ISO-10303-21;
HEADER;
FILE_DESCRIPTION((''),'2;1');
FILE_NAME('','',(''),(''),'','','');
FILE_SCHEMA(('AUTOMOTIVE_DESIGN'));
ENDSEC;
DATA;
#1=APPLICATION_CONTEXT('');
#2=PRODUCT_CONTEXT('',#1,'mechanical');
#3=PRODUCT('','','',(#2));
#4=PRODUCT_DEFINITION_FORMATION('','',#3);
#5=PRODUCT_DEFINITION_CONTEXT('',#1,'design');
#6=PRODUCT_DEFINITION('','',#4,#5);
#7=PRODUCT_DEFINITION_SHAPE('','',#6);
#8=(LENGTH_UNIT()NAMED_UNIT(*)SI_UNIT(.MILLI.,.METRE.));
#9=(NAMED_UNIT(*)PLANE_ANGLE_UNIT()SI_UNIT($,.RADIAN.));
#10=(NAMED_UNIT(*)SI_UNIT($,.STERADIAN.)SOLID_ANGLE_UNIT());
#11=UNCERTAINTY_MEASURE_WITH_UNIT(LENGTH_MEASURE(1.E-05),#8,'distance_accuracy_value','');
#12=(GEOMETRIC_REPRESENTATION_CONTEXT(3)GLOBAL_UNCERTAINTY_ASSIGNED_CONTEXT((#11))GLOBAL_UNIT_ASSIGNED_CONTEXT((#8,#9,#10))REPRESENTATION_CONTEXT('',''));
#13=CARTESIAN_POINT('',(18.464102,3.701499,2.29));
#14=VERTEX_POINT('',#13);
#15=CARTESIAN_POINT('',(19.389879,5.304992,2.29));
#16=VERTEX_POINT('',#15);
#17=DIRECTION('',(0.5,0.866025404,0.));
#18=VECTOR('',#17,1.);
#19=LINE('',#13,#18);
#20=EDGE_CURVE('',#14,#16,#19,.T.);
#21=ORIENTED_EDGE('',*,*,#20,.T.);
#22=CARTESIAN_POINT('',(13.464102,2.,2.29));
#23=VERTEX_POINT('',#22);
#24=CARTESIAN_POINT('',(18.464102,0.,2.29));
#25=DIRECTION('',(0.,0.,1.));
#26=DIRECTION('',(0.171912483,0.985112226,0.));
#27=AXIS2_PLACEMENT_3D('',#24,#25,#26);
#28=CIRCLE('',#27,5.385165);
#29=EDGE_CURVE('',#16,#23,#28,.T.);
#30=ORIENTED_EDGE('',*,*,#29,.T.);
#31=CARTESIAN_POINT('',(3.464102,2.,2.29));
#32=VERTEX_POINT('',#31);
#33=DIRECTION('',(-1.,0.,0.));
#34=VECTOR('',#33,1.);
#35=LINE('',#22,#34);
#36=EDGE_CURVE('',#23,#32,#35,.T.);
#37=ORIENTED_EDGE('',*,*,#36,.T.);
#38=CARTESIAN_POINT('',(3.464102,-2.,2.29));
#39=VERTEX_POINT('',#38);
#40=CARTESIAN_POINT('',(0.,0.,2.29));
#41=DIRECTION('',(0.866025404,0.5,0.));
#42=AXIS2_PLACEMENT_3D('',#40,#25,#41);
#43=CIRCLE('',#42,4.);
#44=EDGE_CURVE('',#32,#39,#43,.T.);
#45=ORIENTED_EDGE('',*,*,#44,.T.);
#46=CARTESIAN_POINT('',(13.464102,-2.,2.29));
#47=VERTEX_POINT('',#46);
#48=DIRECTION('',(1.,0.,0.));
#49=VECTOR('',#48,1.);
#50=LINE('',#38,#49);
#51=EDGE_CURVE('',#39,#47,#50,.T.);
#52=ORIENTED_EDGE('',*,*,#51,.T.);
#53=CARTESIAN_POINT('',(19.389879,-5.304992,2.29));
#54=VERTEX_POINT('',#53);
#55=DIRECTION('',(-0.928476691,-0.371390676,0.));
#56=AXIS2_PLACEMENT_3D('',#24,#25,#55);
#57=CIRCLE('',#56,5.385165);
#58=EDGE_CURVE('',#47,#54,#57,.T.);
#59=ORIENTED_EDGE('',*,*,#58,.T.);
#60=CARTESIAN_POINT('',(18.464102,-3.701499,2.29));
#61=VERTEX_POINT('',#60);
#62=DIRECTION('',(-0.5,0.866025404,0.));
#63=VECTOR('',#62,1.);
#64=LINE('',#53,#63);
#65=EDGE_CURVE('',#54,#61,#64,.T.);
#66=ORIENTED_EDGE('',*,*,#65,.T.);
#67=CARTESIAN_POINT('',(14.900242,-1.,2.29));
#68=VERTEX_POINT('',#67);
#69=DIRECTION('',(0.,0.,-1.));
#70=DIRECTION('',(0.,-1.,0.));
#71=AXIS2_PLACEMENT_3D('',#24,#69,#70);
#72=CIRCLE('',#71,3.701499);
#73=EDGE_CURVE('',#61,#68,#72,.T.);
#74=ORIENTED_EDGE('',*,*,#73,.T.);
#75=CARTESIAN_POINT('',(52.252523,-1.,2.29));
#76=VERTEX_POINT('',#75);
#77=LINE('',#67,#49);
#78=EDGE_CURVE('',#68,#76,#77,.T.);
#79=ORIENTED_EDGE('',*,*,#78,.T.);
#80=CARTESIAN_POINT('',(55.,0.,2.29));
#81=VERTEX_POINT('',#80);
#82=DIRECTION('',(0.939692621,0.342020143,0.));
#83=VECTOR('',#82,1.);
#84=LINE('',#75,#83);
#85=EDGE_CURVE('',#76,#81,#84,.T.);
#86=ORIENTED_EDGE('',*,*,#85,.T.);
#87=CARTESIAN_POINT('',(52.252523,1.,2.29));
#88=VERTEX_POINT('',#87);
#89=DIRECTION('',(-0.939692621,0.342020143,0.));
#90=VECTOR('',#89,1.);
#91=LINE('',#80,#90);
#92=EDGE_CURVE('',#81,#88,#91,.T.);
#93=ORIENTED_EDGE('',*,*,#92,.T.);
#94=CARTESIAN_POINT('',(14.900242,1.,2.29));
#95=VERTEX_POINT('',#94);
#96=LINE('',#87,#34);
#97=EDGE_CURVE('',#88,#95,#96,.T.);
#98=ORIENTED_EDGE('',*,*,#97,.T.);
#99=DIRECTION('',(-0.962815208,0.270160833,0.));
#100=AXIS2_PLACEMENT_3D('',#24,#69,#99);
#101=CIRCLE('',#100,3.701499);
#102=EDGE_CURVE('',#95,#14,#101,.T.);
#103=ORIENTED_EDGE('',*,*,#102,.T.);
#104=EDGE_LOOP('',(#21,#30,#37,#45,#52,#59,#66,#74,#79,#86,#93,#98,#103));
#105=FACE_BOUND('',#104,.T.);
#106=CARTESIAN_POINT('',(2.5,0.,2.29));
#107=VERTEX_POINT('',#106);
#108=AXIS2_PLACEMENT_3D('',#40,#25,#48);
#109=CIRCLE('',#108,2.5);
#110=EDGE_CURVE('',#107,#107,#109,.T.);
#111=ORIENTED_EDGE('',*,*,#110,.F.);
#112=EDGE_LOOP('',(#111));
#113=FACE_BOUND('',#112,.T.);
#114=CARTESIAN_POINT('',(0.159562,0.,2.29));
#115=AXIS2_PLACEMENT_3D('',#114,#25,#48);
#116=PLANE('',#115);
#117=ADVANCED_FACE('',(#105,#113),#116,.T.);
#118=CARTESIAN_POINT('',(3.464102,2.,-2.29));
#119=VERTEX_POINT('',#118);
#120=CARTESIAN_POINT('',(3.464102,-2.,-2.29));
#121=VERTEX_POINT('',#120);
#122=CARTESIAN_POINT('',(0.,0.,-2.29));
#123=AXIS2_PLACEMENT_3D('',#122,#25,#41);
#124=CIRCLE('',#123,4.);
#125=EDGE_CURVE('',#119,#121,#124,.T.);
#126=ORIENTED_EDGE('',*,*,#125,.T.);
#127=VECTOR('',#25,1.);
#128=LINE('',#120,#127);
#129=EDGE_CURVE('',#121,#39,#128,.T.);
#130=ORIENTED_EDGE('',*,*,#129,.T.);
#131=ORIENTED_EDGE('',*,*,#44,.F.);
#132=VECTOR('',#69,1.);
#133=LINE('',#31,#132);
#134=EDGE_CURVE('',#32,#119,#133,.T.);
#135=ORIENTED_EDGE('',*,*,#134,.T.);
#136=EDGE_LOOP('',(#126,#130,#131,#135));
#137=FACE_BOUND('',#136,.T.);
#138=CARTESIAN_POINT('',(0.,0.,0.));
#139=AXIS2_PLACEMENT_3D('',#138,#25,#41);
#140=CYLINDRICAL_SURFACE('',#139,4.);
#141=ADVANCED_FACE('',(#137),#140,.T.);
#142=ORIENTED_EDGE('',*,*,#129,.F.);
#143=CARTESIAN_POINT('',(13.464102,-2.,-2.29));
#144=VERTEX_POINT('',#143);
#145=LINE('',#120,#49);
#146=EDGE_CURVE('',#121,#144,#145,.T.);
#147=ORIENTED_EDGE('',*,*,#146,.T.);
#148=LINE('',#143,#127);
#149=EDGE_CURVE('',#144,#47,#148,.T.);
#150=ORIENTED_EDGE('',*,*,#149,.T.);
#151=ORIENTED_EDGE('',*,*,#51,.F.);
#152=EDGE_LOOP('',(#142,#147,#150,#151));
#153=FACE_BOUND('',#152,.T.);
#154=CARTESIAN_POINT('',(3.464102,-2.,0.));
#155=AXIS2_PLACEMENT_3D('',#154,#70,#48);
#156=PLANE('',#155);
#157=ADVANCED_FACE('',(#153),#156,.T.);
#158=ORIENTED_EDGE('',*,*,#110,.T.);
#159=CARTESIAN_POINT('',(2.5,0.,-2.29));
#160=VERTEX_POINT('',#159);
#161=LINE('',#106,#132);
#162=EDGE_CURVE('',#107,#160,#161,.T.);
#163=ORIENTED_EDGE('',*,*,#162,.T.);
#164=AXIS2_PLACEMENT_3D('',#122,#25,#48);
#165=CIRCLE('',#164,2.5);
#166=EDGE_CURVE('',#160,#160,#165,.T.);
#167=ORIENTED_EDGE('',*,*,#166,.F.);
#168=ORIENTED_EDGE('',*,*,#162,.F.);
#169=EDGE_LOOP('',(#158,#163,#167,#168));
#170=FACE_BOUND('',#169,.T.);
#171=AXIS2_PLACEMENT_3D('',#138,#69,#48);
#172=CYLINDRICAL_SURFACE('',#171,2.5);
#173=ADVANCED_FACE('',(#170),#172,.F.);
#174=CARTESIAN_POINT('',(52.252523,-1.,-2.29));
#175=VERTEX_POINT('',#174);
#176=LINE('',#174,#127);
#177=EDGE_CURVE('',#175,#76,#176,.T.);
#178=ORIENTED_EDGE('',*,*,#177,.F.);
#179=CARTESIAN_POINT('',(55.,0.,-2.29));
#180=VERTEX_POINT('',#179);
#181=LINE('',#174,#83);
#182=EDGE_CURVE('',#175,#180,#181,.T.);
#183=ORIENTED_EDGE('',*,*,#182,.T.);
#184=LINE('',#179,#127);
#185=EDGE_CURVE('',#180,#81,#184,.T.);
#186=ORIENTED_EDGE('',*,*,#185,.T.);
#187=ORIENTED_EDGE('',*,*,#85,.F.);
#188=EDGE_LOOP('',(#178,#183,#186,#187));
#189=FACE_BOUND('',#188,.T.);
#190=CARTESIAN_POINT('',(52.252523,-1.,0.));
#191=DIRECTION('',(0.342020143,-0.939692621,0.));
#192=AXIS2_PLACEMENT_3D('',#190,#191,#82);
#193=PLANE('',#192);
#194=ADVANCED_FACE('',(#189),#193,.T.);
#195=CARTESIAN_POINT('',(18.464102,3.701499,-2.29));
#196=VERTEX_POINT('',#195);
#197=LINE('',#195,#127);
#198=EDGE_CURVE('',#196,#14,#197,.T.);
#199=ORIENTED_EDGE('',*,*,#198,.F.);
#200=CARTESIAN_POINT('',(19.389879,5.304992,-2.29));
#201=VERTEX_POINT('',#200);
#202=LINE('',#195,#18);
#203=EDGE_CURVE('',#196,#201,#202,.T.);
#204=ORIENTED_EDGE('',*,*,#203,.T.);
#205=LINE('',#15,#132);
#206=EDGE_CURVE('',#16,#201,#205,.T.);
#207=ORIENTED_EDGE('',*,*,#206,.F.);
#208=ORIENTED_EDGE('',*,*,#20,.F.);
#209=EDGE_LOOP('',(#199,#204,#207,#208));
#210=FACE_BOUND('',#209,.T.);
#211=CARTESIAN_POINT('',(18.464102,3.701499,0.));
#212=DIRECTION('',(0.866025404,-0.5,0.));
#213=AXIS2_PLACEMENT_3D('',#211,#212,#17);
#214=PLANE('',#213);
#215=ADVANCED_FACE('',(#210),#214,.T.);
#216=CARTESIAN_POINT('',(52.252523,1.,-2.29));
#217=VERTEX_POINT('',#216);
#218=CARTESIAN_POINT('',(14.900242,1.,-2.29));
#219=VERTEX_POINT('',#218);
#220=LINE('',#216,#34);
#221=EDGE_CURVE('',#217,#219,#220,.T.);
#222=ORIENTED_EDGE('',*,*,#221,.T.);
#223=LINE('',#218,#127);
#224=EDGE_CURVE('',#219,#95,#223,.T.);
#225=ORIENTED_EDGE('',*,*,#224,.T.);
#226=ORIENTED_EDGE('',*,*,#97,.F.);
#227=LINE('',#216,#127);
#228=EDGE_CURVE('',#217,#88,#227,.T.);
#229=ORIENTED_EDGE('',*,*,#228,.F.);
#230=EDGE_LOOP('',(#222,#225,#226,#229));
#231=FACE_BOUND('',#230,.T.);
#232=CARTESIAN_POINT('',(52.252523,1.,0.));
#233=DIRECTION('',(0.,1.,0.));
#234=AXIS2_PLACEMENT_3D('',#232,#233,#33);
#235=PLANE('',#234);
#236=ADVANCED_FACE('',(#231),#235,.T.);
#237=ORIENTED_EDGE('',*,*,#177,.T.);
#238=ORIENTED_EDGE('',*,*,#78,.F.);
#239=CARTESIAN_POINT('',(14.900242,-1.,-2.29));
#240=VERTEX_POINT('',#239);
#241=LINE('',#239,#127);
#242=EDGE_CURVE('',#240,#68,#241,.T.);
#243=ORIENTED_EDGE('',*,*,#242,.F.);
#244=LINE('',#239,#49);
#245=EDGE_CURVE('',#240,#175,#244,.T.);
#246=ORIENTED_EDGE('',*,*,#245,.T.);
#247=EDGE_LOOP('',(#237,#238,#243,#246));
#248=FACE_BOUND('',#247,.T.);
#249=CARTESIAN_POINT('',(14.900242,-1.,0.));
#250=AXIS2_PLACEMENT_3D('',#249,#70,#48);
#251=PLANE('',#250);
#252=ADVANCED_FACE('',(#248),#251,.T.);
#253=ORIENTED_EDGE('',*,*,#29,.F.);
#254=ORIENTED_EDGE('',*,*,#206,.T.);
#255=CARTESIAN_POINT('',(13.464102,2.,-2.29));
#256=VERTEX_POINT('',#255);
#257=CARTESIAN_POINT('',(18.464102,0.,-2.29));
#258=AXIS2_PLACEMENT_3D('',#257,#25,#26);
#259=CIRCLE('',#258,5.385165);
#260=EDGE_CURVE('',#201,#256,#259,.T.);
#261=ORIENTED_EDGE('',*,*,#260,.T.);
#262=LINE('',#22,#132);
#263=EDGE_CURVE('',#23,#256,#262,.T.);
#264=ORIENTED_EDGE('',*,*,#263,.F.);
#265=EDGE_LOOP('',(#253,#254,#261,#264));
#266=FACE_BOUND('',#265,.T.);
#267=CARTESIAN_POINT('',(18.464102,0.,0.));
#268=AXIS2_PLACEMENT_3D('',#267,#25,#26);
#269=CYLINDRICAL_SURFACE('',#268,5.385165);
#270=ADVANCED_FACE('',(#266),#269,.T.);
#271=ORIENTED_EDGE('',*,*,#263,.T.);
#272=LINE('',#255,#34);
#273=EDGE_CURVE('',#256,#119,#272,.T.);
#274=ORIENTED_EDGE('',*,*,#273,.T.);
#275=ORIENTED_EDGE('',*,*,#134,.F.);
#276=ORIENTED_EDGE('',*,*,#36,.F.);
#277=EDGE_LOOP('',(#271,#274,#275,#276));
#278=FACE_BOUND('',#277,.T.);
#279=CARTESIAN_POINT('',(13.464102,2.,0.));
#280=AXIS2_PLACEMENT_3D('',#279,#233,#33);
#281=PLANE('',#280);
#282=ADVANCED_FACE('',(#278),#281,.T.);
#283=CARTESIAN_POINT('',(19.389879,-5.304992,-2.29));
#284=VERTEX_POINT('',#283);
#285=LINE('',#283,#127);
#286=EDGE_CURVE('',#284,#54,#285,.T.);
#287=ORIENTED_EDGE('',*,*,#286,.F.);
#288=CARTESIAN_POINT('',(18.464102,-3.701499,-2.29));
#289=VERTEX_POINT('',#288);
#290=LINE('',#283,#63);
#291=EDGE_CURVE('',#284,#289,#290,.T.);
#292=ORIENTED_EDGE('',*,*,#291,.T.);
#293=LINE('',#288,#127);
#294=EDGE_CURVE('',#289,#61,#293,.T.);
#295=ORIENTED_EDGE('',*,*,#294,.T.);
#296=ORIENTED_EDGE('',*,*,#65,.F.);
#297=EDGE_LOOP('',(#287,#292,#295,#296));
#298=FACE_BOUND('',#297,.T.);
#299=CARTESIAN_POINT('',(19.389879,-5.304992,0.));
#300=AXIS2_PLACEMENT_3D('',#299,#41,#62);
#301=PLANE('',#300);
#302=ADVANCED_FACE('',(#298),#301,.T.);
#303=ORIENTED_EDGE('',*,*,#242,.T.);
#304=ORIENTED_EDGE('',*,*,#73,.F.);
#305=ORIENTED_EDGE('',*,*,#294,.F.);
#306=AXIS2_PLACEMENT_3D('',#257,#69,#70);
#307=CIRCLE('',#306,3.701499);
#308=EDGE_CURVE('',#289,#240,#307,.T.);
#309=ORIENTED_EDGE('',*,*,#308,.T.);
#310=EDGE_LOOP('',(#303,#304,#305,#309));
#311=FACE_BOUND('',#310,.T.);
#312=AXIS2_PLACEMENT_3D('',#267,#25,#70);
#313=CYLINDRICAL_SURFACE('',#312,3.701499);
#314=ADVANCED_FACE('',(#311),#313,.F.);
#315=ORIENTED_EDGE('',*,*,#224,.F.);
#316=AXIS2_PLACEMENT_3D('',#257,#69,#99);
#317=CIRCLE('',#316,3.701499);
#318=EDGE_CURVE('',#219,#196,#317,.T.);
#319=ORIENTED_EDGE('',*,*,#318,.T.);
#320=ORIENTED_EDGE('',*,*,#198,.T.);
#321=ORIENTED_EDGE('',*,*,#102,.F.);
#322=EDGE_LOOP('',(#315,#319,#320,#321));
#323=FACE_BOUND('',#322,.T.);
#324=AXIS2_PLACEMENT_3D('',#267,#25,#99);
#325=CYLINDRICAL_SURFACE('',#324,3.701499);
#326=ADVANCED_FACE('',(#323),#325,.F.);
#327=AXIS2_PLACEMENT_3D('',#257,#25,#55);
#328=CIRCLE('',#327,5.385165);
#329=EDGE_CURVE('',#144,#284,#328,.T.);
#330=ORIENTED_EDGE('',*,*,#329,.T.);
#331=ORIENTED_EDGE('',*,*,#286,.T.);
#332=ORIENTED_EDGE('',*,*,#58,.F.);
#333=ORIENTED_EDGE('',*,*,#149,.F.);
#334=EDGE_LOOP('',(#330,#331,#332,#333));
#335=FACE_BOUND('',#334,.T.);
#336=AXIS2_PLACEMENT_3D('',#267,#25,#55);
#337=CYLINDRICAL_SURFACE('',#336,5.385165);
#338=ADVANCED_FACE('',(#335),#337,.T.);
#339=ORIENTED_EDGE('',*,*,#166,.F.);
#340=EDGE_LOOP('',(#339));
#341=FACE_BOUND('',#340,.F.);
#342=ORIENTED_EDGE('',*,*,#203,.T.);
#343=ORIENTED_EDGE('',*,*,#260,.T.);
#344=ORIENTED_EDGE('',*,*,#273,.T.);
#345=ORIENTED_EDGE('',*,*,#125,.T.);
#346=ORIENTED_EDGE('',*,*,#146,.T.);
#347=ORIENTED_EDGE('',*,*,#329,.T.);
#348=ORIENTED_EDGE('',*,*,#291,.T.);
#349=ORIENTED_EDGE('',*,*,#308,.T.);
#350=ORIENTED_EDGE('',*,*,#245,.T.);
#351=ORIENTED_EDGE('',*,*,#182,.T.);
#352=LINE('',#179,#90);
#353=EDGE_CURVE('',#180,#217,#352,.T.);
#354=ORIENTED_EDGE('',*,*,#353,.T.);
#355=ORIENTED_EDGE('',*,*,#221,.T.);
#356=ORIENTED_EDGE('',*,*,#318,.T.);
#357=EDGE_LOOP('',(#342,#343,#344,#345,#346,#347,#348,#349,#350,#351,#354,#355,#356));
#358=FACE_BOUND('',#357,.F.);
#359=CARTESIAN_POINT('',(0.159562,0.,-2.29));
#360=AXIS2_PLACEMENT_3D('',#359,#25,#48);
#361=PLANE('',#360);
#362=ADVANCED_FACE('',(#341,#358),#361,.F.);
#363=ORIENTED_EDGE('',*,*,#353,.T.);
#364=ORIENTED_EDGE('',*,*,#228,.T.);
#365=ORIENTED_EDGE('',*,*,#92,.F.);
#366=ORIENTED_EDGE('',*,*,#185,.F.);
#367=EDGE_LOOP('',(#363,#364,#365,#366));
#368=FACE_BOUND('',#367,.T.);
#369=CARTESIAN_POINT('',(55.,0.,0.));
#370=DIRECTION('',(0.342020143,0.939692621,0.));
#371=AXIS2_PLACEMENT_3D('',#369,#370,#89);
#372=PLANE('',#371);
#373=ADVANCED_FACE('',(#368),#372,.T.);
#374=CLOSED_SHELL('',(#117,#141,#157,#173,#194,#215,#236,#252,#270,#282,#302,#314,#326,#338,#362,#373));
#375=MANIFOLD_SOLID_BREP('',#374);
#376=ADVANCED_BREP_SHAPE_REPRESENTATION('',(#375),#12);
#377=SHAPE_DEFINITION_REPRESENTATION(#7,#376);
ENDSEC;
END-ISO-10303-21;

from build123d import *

# Parameters (mm, degrees)
F0_R     = 2.5
F1_DEPTH = 2.29


with BuildPart() as f1:
    # F0 (on Top) → F1 (new body, symmetric)
    with BuildSketch(Plane.XY):
        with BuildLine():
            Line((3.4641016151, -2), (3.4641016151, 0))
            Line((3.4641016151, 0), (3.4641016151, 2))
            ThreePointArc((3.4641016151, 2), (-4, 0), (3.4641016151, -2))
        make_face()
        Circle(F0_R, mode=Mode.SUBTRACT)
        with BuildLine():
            Line((4, 0), (3.4641016151, 0))
            Line((3.4641016151, 0), (3.4641016151, -2))
            ThreePointArc((3.4641016151, -2), (3.8637033052, -1.0352761804), (4, 0))
        make_face()
        with BuildLine():
            Line((3.4641016151, 2), (3.4641016151, 0))
            Line((3.4641016151, 0), (4, 0))
            ThreePointArc((4, 0), (3.8637033052, 1.0352761804), (3.4641016151, 2))
        make_face()
        with BuildLine():
            Line((13.4641016151, 0), (4, 0))
            ThreePointArc((4, 0), (3.8637033052, -1.0352761804), (3.4641016151, -2))
            Line((3.4641016151, -2), (13.4641016151, -2))
            Line((13.4641016151, -2), (13.4641016151, 0))
        make_face()
        with BuildLine():
            ThreePointArc((3.4641016151, 2), (3.8637033052, 1.0352761804), (4, 0))
            Line((4, 0), (13.4641016151, 0))
            Line((13.4641016151, 0), (13.4641016151, 2))
            Line((13.4641016151, 2), (3.4641016151, 2))
        make_face()
        Polygon((14.4215287229, 0), (13.4641016151, 0), (13.4641016151, -2), align=None)
        Polygon((13.4641016151, 2), (13.4641016151, 0), (14.4215287229, 0), align=None)
        Polygon((16.3363829384, 0), (14.4215287229, 0), (14.9002422768, -1), align=None)
        Polygon((14.9002422768, 1), (14.4215287229, 0), (16.3363829384, 0), align=None)
        Polygon((14.4215287229, 0), (13.4641016151, -2), (14.9002422768, -1), align=None)
        with BuildLine():
            Line((14.9002422768, -1), (13.4641016151, -2))
            ThreePointArc((13.4641016151, -2), (15.841018376, -4.7031302683), (19.3898786666, -5.3049916919))
            Line((19.3898786666, -5.3049916919), (18.4641016151, -3.7014988023))
            ThreePointArc((18.4641016151, -3.7014988023), (16.2280789653, -2.9497959409), (14.9002422768, -1))
        make_face()
        Polygon((16.3363829384, 0), (14.9002422768, -1), (52.2525225805, -1), (55, 0), align=None)
        Polygon((52.2525225805, 1), (14.9002422768, 1), (16.3363829384, 0), (55, 0), align=None)
        with BuildLine():
            ThreePointArc((19.3898786666, 5.3049916919), (15.841018376, 4.7031302683), (13.4641016151, 2))
            Line((13.4641016151, 2), (14.9002422768, 1))
            ThreePointArc((14.9002422768, 1), (16.2280789653, 2.9497959409), (18.4641016151, 3.7014988023))
            Line((18.4641016151, 3.7014988023), (19.3898786666, 5.3049916919))
        make_face()
        Polygon((14.9002422768, 1), (13.4641016151, 2), (14.4215287229, 0), align=None)
    extrude(amount=F1_DEPTH, both=True)


solid = f1.part
